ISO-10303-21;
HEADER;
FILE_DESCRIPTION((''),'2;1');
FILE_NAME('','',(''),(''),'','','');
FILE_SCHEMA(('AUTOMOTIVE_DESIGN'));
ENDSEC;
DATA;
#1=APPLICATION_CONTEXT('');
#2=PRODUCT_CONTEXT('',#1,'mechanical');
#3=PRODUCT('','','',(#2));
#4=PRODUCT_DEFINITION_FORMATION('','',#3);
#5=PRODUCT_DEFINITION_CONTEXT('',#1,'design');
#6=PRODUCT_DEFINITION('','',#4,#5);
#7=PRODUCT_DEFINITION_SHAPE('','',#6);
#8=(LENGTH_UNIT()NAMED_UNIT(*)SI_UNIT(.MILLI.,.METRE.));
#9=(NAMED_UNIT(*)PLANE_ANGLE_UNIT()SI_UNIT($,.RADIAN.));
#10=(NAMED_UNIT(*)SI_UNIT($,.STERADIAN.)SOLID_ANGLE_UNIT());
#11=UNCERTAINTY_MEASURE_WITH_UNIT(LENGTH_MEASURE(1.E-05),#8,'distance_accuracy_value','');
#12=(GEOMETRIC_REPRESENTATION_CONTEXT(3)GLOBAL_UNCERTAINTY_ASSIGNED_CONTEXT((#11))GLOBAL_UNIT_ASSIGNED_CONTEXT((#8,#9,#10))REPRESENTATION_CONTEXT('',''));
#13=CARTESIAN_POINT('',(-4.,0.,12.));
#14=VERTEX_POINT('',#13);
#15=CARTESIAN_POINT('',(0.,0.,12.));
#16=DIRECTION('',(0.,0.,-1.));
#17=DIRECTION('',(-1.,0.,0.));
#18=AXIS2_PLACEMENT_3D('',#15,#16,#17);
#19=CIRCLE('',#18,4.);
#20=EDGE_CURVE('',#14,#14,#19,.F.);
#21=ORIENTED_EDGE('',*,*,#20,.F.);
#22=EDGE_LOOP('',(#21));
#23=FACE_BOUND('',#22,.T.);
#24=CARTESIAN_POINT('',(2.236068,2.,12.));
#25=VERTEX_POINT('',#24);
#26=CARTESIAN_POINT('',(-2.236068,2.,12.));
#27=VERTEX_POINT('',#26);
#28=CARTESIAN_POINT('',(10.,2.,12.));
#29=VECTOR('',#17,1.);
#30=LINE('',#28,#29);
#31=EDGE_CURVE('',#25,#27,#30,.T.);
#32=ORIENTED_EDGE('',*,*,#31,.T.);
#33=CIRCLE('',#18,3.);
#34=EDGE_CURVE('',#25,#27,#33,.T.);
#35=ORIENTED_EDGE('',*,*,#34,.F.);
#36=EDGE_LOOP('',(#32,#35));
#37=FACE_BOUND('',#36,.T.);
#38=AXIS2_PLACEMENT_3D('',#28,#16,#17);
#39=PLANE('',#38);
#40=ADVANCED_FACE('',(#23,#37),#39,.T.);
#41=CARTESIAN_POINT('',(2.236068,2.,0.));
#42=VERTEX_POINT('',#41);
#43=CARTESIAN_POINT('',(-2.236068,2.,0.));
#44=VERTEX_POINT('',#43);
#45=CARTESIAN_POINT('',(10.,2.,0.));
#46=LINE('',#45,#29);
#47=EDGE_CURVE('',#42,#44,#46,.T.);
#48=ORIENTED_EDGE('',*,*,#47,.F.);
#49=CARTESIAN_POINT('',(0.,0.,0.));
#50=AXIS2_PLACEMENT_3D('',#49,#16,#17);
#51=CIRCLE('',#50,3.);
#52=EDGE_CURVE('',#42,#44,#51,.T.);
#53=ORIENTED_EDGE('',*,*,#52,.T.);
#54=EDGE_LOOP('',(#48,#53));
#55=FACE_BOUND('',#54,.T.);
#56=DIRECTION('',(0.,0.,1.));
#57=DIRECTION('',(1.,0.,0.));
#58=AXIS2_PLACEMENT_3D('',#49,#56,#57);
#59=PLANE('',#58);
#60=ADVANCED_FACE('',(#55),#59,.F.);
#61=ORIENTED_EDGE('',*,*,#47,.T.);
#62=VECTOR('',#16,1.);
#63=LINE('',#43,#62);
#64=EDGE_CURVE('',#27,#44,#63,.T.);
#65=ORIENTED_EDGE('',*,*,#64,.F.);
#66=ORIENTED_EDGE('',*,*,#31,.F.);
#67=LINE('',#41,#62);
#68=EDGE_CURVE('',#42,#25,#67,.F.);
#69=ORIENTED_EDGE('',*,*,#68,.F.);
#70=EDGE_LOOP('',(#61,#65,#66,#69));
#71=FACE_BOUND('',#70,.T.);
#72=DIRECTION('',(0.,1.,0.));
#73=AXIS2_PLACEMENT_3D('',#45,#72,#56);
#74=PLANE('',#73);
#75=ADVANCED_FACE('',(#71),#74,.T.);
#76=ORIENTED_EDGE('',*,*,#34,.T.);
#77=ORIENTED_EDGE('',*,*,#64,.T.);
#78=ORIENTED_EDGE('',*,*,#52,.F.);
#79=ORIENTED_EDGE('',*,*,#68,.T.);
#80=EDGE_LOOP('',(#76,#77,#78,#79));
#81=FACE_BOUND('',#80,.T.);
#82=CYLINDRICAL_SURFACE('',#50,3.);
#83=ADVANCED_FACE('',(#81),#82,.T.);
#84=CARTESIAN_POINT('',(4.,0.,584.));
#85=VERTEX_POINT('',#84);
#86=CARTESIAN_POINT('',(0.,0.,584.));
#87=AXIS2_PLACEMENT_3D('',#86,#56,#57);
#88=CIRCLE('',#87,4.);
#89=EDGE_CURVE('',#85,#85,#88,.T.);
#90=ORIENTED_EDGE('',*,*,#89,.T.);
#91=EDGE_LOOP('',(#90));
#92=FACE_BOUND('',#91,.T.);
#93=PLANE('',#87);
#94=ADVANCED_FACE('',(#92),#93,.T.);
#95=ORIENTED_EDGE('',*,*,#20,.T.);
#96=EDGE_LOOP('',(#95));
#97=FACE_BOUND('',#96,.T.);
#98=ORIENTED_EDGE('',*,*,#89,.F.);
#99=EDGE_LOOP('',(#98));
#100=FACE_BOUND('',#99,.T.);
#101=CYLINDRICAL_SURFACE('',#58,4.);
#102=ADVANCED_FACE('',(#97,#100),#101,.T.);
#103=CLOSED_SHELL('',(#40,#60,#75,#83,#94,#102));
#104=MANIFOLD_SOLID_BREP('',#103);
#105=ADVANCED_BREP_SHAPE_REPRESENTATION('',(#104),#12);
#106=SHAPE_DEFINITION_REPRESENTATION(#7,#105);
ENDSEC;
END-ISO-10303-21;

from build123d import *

# Parameters (mm, degrees)
ESBO_O1_R                  = 6.35
RESSALTO_EXTRUS_O1_DEPTH   = 584
ESBO_O2_R                  = 12.7
ESBO_O2_R_2                = 4
CORTE_EXTRUS_O1_DEPTH      = 585.069041296
CORTE_EXTRUS_O2_DEPTH      = 10
CORTE_EXTRUS_O2_DEPTH_BACK = 10
ESBO_O3_W                  = 12
ESBO_O3_H                  = 10
ESBO_O5_W                  = 10
ESBO_O5_H                  = 12


with BuildPart() as part:
    # Esboço1 → Ressalto-extrusão1 (new body)
    with BuildSketch(Plane.XY):
        Circle(ESBO_O1_R)
    extrude(amount=RESSALTO_EXTRUS_O1_DEPTH)

    # Esboço2 → Corte-extrusão1 (cut, through all)
    with BuildSketch(Plane.XY.offset(584)):
        Circle(ESBO_O2_R)
        Circle(ESBO_O2_R_2, mode=Mode.SUBTRACT)
    extrude(amount=-CORTE_EXTRUS_O1_DEPTH, mode=Mode.SUBTRACT)

    # Esboço3 → Corte-extrusão2 (cut, two sides: drawn at the far end of the back side and taken through both)
    with BuildSketch(Plane(origin=(0, 0, 0), x_dir=(0, 0, -1), z_dir=(1, 0, 0)).offset(-CORTE_EXTRUS_O2_DEPTH_BACK)):
        with Locations((-6, 7)):
            Rectangle(ESBO_O3_W, ESBO_O3_H)
    extrude(amount=CORTE_EXTRUS_O2_DEPTH + CORTE_EXTRUS_O2_DEPTH_BACK, mode=Mode.SUBTRACT)

    # Esboço5 → Corte-Revolução2 (revolve, cut)
    with BuildSketch(Plane(origin=(0, 0, 0), x_dir=(1, 0, 0), z_dir=(0, 1, 0))):
        with Locations((-8, -6)):
            Rectangle(ESBO_O5_W, ESBO_O5_H)
    revolve(axis=Axis((0, 0, 0), (0, 0, 1)), mode=Mode.SUBTRACT)


solid = part.part
